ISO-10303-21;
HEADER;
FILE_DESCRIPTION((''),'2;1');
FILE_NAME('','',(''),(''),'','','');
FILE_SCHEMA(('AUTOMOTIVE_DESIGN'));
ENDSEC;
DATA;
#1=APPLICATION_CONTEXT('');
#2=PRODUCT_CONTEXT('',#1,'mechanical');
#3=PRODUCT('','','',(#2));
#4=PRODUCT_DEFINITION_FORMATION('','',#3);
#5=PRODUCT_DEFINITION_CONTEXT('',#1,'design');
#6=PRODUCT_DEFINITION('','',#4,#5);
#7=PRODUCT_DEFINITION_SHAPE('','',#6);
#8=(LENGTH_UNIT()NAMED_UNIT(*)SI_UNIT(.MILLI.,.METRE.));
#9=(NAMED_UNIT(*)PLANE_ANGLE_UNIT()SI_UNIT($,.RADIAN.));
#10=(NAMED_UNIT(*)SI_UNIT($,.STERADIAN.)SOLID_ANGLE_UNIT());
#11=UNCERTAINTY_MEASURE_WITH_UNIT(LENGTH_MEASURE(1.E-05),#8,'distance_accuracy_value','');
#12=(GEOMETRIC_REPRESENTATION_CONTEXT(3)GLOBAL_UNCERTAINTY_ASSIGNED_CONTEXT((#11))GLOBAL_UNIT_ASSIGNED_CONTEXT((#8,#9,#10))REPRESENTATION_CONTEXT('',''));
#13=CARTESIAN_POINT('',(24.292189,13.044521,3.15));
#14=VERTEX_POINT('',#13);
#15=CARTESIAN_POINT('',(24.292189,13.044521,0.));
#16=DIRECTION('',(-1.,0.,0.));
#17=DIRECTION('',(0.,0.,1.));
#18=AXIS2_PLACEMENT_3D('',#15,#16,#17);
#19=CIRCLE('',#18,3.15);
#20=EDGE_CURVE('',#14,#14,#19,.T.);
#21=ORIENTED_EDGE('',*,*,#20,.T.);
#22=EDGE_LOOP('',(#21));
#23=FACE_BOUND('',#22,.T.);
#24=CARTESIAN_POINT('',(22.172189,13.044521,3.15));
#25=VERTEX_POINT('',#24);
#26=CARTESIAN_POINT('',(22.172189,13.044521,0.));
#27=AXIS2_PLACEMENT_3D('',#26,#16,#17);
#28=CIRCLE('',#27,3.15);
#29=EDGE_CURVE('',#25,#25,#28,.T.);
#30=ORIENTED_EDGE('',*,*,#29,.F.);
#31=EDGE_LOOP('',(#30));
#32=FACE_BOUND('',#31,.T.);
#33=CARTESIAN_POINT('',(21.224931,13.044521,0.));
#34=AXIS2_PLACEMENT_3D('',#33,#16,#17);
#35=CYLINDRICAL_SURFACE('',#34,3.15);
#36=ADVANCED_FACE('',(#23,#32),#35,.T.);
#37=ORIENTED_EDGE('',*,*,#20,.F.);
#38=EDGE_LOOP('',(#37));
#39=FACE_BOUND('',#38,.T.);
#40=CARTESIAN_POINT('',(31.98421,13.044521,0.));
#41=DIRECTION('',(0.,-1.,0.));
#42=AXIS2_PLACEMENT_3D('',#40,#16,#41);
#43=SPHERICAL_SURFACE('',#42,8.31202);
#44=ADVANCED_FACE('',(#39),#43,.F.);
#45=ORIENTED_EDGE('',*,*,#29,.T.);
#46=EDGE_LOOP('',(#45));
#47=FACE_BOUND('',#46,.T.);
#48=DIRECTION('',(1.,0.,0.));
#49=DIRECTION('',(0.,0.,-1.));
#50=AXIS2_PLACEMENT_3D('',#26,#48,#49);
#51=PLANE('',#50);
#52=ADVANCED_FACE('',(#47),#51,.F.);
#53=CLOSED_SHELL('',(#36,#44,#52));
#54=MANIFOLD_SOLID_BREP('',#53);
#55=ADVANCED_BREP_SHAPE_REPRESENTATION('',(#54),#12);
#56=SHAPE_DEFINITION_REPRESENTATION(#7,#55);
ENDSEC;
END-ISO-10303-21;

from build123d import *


with BuildPart() as part:
    # 草图1 → 旋转1 (revolve)
    with BuildSketch(Plane.XY, mode=Mode.PRIVATE) as revolve_1_sk:
        with BuildLine():
            Line((22.172189475, 13.044520575), (22.172189475, 16.194520575))
            Line((22.172189475, 16.194520575), (24.292189475, 16.194520575))
            ThreePointArc((24.292189475, 16.194520575), (23.828662526, 14.649738595), (23.672189825, 13.044520575))
            Line((23.672189825, 13.044520575), (22.172189475, 13.044520575))
        make_face()
    revolve(revolve_1_sk.sketch.rotate(Axis((21.224930557, 13.044520575, 0), (1, 0, 0)), 180), axis=Axis((21.224930557, 13.044520575, 0), (1, 0, 0)))  # turned: the seam where the file's is


solid = part.part
